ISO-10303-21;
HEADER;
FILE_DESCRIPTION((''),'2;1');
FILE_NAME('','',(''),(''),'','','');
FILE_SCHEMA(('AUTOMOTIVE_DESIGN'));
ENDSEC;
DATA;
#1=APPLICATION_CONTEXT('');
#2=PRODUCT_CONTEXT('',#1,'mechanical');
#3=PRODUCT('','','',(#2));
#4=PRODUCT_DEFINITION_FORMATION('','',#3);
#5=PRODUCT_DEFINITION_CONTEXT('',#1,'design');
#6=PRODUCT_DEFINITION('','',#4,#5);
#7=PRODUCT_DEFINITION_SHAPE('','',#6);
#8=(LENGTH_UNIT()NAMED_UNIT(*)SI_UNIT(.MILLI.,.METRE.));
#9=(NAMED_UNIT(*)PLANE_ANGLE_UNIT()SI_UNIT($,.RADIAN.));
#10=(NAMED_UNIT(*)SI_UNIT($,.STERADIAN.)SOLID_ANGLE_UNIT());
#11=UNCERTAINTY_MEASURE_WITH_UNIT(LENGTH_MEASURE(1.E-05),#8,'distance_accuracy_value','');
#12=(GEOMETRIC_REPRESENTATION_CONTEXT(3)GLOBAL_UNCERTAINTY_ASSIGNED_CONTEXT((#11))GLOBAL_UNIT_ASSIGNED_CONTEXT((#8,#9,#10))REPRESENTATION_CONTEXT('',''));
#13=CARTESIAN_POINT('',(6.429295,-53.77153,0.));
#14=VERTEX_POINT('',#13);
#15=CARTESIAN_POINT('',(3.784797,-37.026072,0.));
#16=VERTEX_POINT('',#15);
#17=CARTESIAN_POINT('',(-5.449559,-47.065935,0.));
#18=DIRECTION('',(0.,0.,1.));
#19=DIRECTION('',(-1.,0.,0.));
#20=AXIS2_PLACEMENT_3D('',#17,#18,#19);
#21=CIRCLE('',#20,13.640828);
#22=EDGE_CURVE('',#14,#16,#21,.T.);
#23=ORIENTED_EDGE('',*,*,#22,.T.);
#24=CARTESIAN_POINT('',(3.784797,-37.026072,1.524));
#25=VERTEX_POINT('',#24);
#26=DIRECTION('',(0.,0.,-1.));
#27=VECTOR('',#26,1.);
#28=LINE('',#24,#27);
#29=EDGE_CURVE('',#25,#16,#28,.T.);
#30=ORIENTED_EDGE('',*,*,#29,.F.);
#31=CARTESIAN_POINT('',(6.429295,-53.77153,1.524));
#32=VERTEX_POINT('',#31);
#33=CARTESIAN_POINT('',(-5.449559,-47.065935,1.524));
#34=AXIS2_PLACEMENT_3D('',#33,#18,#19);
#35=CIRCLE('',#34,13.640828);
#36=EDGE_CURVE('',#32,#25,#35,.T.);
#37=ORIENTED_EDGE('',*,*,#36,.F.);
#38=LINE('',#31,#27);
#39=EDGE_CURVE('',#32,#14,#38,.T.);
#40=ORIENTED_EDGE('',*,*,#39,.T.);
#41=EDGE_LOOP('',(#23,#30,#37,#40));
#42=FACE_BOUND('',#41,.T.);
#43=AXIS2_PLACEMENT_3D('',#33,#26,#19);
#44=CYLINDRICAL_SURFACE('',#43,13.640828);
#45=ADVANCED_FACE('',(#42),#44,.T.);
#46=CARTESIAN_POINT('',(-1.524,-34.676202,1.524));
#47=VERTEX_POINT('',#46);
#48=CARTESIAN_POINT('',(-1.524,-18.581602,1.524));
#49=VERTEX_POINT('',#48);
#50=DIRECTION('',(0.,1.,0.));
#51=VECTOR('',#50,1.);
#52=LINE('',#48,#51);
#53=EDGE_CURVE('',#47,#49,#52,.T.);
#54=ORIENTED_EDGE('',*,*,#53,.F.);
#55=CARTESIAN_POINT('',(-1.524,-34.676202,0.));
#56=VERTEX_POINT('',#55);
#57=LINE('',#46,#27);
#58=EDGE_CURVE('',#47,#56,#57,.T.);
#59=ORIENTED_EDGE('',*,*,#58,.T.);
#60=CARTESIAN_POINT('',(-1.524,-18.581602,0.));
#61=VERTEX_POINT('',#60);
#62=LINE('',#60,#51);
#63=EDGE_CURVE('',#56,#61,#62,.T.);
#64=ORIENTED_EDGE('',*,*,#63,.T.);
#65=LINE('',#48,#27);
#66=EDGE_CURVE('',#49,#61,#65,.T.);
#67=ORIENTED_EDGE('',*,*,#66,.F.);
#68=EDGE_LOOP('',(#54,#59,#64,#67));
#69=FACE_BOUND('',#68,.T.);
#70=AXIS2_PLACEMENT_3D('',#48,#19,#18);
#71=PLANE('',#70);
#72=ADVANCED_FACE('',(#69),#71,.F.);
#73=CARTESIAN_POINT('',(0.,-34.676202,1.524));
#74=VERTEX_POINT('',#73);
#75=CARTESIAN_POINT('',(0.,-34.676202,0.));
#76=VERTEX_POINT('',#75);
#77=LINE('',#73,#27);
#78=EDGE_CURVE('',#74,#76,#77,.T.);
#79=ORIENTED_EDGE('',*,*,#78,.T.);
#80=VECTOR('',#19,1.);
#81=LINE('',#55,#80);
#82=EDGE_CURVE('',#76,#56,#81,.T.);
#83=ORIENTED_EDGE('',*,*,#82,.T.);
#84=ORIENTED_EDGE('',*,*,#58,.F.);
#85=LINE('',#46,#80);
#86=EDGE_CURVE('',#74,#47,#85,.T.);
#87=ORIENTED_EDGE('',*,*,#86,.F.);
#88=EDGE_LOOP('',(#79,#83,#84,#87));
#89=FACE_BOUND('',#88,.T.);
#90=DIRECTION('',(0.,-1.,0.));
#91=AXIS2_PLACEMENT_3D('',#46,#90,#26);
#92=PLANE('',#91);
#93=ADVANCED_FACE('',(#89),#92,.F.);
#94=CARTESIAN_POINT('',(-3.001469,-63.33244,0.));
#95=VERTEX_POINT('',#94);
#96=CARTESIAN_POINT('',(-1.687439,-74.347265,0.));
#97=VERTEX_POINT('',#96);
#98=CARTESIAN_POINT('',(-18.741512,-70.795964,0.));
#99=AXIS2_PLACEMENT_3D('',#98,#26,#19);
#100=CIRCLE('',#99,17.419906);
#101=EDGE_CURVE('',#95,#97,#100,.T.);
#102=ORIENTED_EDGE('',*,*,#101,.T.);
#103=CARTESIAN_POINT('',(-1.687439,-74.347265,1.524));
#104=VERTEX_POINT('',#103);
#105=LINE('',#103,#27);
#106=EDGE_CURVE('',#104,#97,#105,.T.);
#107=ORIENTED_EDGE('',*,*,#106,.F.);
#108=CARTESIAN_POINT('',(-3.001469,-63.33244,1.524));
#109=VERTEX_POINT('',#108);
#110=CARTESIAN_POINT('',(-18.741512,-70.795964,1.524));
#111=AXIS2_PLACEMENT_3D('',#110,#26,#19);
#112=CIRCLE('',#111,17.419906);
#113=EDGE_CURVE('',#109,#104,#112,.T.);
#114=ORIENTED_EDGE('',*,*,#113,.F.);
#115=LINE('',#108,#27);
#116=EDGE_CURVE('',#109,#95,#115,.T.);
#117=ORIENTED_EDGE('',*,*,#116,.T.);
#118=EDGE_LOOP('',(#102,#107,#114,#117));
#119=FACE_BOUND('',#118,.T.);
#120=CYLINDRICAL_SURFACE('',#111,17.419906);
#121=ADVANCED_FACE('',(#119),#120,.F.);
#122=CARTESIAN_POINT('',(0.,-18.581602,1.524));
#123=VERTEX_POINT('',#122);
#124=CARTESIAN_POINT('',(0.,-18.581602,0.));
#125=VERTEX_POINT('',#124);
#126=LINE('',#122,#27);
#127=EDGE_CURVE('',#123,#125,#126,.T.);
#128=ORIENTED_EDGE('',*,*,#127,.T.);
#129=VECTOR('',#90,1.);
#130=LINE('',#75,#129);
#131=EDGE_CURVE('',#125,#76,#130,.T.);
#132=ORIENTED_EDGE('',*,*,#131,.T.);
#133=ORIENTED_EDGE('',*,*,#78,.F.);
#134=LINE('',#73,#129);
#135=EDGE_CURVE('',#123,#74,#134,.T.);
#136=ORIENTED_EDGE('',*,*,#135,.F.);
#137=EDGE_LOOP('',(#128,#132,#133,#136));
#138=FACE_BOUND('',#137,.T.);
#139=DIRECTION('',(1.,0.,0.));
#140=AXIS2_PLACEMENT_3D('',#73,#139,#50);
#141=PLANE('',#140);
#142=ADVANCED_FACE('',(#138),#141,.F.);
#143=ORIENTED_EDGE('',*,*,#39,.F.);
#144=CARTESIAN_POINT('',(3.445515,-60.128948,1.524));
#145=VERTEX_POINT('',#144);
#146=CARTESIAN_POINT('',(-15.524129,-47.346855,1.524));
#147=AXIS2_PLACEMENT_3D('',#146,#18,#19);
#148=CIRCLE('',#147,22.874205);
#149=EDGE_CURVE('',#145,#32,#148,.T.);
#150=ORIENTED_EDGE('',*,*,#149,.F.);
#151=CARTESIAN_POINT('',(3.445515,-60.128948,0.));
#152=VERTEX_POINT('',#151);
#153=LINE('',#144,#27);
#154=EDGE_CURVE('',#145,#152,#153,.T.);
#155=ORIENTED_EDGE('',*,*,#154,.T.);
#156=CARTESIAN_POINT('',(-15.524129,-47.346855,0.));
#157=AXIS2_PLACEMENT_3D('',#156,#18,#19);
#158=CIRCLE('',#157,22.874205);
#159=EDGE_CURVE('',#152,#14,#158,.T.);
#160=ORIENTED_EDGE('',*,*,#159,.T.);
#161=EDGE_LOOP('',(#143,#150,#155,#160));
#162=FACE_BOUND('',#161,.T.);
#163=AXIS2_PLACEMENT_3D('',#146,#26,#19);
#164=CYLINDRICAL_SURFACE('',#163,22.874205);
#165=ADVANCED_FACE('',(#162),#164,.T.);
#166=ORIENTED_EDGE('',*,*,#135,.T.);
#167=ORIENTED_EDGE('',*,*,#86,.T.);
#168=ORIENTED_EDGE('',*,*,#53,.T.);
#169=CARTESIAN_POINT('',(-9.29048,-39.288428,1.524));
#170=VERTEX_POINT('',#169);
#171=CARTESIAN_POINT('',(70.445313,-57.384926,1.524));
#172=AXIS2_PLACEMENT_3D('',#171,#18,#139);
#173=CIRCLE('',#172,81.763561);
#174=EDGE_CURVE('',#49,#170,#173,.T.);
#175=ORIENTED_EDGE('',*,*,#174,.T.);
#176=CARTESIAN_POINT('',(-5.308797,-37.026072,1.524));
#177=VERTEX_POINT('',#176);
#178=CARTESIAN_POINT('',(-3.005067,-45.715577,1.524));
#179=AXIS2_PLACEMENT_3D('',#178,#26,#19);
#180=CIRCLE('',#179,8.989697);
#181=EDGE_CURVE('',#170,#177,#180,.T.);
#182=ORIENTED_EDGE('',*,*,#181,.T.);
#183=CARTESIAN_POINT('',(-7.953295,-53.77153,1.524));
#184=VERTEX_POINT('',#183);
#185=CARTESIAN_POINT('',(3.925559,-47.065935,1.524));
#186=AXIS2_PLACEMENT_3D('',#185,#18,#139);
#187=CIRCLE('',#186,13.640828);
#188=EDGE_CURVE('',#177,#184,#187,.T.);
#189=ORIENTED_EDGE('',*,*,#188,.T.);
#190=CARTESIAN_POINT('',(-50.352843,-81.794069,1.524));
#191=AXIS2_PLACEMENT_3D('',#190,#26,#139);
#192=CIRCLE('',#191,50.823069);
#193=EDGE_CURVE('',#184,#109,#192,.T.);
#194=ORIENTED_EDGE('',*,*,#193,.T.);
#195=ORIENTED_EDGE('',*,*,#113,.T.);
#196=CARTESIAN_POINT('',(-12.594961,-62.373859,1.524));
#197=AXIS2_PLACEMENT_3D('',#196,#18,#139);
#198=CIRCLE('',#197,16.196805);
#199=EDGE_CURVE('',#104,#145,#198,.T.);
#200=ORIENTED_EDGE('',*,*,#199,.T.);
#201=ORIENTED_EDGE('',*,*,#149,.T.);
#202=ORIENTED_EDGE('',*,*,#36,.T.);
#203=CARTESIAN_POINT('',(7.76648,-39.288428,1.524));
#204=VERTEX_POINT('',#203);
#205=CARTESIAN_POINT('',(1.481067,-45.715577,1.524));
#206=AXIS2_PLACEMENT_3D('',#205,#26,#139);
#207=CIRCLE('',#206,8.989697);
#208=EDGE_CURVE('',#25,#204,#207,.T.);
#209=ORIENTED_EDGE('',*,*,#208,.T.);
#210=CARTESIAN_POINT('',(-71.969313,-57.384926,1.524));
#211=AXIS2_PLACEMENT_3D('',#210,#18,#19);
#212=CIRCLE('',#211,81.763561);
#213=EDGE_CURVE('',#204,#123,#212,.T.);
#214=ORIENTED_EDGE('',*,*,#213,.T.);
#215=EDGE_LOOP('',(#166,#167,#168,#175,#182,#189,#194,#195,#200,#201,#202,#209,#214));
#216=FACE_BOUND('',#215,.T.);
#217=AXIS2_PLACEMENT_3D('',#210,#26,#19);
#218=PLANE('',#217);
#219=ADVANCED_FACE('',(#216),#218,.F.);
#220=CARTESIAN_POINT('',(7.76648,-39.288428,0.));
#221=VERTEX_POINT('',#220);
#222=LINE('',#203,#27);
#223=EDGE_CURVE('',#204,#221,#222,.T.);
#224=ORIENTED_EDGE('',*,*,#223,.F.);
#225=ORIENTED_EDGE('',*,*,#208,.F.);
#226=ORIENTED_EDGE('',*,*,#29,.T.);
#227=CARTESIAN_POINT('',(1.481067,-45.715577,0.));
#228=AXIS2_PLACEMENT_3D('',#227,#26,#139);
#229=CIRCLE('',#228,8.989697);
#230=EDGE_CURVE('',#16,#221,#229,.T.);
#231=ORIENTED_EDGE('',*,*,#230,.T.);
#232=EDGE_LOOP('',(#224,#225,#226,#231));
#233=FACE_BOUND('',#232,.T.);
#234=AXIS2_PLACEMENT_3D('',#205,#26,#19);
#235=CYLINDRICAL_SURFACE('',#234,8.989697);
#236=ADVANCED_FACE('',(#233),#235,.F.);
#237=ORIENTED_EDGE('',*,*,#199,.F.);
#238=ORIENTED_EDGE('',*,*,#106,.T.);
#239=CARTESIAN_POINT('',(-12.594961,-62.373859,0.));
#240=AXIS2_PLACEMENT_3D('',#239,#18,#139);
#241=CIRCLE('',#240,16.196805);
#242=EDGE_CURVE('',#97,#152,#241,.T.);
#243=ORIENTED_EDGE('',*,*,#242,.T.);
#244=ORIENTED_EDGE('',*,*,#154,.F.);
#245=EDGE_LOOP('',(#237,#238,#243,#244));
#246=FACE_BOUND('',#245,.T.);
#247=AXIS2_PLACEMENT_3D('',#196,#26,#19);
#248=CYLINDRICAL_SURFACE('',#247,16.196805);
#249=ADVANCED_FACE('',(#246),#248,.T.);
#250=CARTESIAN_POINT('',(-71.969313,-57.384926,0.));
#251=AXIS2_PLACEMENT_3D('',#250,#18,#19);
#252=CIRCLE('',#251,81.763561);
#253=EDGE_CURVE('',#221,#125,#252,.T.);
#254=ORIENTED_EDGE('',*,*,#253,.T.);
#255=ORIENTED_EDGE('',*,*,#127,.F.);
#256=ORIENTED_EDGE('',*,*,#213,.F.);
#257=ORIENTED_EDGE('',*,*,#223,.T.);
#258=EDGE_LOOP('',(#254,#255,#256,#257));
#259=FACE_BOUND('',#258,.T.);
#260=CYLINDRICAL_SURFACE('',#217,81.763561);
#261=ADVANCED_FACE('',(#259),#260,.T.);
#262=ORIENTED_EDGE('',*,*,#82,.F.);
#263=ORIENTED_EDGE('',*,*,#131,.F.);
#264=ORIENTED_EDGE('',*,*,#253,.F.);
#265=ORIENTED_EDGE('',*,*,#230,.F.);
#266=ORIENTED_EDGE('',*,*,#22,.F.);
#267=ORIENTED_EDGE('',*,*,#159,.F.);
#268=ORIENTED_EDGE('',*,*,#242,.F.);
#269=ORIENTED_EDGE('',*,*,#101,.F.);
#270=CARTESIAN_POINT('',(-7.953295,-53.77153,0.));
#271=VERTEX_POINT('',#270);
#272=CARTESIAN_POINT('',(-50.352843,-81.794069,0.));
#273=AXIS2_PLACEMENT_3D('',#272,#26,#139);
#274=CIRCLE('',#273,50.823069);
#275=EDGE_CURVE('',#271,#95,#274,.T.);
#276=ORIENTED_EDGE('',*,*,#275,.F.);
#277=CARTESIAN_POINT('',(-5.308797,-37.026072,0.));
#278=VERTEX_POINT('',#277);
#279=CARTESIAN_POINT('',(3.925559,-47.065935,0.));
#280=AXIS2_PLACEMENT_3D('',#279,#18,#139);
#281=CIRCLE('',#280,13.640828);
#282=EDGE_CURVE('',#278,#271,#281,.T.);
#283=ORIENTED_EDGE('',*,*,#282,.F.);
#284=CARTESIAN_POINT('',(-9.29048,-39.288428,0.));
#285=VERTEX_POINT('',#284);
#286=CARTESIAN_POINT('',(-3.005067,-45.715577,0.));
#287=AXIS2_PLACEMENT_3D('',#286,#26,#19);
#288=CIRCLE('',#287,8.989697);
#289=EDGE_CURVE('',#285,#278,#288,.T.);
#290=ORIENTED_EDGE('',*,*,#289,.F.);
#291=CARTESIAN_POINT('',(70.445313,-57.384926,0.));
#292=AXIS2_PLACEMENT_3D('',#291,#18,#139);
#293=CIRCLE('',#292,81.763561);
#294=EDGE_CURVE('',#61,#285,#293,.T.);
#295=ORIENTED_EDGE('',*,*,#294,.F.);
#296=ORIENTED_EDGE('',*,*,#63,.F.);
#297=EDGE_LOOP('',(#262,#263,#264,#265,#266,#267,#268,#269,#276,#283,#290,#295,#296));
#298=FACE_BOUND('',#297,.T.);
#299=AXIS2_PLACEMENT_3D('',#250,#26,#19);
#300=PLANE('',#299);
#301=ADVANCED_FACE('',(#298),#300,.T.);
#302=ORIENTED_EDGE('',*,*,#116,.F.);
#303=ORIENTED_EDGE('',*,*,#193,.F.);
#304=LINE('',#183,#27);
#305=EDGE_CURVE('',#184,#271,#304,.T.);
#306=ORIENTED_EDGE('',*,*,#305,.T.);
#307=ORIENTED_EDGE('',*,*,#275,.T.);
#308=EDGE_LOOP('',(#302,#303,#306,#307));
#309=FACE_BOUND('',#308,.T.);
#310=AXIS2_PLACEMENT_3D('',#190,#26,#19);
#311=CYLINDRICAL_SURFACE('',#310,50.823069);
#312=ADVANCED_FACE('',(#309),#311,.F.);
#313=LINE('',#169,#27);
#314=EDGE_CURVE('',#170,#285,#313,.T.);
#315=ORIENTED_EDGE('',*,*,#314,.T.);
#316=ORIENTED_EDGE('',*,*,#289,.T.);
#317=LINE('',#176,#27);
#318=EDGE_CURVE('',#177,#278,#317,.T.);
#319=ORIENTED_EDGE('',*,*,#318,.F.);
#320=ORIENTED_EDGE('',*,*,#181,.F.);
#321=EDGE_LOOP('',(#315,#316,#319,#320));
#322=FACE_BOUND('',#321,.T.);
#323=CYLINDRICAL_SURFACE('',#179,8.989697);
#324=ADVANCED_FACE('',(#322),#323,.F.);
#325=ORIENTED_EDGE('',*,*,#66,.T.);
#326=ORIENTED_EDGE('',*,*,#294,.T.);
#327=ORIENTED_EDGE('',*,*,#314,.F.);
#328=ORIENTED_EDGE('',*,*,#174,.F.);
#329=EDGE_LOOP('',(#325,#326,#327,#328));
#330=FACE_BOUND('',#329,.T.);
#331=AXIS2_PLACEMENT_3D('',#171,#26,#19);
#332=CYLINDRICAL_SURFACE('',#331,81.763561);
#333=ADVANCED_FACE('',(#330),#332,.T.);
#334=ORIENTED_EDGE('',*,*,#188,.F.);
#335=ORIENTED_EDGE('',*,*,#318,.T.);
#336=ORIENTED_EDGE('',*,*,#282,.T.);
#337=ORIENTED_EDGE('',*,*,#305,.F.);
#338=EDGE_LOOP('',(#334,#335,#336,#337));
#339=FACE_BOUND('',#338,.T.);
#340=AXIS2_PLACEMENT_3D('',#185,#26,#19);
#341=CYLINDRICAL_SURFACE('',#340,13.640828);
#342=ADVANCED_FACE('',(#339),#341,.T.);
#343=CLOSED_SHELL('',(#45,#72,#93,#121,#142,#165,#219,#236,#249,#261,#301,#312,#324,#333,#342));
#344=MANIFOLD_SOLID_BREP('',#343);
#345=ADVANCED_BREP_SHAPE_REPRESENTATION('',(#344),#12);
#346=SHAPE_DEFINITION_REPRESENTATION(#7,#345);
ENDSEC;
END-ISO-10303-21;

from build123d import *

# Parameters (mm, degrees)
BOSS_EXTRUDE1_DEPTH = 1.524


with BuildPart() as part:
    # Sketch1 → Boss-Extrude1 (new body)
    with BuildSketch(Plane.XY):
        with BuildLine():
            Line((-1.524, -34.676201819), (0, -34.676201819))
            Line((0, -34.676201819), (0, -18.581601914))
            ThreePointArc((0, -18.581601914), (4.586568454, -28.671218755), (7.766480304, -39.288428313))
            ThreePointArc((7.766480304, -39.288428313), (5.922115133, -37.899455621), (3.784796816, -37.026072296))
            ThreePointArc((3.784796816, -37.026072296), (8.024285986, -44.938100791), (6.429295491, -53.771529834))
            ThreePointArc((6.429295491, -53.771529834), (5.182840175, -57.065431108), (3.445514823, -60.128948218))
            ThreePointArc((3.445514823, -60.128948218), (2.639499088, -67.873650649), (-1.687439347, -74.347264855))
            ThreePointArc((-1.687439347, -74.347264855), (-1.444255212, -68.732462045), (-3.001469179, -63.332440397))
            ThreePointArc((-3.001469179, -63.332440397), (-5.223476479, -58.420481145), (-7.953295491, -53.771529834))
            ThreePointArc((-7.953295491, -53.771529834), (-9.548285986, -44.938100791), (-5.308796816, -37.026072296))
            ThreePointArc((-5.308796816, -37.026072296), (-7.446115133, -37.899455621), (-9.290480304, -39.288428313))
            ThreePointArc((-9.290480304, -39.288428313), (-6.110568454, -28.671218755), (-1.524, -18.581601914))
            Line((-1.524, -18.581601914), (-1.524, -34.676201819))
        make_face()
    extrude(amount=BOSS_EXTRUDE1_DEPTH)


solid = part.part
